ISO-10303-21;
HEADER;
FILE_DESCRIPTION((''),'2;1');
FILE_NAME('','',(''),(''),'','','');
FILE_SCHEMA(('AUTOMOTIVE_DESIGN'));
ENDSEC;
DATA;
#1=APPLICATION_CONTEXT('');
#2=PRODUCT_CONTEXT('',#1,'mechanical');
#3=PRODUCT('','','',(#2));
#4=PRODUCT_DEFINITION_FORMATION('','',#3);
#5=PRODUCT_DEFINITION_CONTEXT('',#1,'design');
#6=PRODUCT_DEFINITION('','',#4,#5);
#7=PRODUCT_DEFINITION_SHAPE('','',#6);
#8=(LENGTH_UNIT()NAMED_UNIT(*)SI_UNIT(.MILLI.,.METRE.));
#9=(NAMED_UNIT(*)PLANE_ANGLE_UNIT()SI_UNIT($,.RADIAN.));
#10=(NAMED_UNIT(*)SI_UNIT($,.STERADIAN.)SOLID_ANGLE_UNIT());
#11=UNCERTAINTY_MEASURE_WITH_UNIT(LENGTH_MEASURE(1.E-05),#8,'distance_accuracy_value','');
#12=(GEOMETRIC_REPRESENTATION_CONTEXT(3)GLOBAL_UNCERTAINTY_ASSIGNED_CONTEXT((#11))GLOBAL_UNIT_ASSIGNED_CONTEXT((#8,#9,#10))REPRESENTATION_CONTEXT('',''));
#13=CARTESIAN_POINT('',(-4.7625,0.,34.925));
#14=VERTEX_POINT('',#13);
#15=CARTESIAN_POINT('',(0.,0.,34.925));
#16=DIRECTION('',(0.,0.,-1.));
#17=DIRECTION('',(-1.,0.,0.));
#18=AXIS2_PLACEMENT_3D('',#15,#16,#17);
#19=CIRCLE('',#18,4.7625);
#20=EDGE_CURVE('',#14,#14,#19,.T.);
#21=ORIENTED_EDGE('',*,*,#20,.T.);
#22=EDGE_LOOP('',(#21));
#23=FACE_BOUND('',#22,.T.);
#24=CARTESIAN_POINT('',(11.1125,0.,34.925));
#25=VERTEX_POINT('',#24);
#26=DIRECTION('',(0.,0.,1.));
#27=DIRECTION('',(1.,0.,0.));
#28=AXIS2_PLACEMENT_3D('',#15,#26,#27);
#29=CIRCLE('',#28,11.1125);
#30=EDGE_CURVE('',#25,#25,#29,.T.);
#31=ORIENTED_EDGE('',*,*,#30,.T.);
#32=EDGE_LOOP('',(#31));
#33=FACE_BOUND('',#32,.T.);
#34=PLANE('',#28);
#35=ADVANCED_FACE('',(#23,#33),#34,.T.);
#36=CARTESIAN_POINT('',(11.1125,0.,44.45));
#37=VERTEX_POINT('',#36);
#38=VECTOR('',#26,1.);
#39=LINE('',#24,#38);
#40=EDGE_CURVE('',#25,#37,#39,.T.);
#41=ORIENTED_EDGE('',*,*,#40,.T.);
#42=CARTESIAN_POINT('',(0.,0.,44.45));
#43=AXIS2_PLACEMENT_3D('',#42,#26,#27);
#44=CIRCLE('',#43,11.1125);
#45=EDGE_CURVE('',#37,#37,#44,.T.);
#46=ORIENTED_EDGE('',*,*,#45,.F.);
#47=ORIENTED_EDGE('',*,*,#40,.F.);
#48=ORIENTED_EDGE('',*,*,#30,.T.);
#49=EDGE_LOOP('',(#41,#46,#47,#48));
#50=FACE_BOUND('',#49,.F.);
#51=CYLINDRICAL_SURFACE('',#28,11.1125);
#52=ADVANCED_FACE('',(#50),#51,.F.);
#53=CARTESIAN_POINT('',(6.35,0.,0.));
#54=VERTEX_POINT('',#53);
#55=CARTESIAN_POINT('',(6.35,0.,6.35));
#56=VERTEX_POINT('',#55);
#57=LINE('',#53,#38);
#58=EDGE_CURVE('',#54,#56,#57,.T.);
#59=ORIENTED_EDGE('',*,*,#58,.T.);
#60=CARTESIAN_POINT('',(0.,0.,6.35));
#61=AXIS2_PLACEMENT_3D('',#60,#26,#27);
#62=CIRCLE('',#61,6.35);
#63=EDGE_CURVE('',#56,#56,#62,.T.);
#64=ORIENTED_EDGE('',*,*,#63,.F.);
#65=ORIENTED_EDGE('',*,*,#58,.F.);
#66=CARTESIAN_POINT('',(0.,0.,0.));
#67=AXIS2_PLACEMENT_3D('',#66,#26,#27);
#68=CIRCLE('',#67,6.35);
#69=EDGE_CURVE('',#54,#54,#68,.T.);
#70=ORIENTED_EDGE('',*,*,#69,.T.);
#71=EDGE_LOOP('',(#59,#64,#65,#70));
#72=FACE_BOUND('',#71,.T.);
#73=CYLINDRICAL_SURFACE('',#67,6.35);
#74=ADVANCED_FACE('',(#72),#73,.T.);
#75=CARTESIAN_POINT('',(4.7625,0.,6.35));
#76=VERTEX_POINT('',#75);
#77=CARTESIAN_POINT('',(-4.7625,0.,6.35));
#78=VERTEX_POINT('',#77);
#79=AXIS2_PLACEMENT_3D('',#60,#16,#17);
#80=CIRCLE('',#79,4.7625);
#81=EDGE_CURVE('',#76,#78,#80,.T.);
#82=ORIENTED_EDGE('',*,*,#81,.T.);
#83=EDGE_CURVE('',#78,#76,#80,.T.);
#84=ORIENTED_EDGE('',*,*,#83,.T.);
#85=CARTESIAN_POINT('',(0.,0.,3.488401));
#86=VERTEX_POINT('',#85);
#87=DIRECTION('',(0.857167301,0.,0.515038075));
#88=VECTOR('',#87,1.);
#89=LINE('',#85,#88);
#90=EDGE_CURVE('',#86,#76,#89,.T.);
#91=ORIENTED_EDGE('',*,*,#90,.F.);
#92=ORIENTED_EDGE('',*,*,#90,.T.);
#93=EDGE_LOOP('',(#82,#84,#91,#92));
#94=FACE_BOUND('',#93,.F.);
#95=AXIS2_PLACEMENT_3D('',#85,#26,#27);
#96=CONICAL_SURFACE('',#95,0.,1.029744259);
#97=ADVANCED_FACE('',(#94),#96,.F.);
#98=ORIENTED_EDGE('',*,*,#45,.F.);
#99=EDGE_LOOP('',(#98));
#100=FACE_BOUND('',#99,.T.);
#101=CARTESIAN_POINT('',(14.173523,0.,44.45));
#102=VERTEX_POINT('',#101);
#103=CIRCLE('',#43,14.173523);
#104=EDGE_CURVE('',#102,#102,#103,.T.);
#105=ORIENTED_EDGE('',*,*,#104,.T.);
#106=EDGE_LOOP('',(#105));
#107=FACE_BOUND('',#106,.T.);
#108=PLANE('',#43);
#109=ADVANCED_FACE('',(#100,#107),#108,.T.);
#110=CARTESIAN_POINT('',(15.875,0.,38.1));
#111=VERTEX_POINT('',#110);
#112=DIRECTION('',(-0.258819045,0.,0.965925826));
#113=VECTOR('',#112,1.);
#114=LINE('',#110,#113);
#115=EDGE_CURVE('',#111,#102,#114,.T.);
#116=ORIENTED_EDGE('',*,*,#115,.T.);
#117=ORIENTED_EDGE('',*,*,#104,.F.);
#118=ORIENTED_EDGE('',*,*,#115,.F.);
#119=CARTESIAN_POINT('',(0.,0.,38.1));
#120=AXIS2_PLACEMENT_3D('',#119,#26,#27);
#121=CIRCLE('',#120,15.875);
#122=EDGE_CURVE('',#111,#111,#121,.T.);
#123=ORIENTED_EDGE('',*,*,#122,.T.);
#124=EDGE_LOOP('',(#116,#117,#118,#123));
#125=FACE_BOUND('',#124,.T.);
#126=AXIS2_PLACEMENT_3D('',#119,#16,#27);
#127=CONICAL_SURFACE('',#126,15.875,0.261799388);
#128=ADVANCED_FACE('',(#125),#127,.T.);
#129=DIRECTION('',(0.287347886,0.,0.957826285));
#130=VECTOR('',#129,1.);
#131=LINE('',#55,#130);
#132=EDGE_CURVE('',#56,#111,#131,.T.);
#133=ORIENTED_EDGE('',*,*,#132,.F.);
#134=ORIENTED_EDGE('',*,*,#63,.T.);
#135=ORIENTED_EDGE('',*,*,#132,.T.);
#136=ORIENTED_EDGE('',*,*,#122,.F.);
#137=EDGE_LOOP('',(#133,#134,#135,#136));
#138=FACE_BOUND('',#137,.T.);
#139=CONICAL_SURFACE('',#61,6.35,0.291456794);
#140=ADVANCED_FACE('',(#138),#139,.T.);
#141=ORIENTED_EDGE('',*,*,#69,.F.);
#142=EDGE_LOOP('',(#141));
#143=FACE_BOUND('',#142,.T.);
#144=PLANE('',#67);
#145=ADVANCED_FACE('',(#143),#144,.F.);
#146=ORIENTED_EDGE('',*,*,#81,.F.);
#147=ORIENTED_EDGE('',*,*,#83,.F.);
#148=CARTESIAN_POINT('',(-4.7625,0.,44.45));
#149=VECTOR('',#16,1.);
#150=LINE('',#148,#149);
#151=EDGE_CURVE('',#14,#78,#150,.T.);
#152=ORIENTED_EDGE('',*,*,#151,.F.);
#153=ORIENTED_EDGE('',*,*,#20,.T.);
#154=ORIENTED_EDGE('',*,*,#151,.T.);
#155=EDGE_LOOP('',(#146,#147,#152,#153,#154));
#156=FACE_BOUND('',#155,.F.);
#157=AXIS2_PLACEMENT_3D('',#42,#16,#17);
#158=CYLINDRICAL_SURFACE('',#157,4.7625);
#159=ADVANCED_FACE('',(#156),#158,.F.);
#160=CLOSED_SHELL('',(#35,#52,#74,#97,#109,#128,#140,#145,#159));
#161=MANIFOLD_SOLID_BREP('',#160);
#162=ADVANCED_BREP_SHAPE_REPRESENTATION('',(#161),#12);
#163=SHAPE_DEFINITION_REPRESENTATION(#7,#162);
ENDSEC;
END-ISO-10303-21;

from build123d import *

# Parameters (mm, degrees)
F3_D           = 9.525
F3_DEPTH       = 38.1
F3_CBORE_D     = 22.225
F3_CBORE_DEPTH = 9.525
F3_TIP         = 2.8615986981


with BuildPart() as f1:
    # F0 (on Front) → F1 (revolve)
    with BuildSketch(Plane.XZ):
        Polygon((0, 38.1), (0, 0), (6.35, 0), (6.35, 6.35), (15.875, 38.1), (14.1735226281, 44.45), (0, 44.45), align=None)
    revolve(axis=Axis((0, 0, 22.225), (0, 0, 1)))

    # F3
    with Locations(Plane.XY.offset(44.45)):
        with Locations((0, 0)):
            CounterBoreHole(F3_D / 2, F3_CBORE_D / 2, F3_CBORE_DEPTH, depth=F3_DEPTH)
            with Locations((0, 0, -(F3_DEPTH + F3_TIP / 2))):  # 118° drill point
                Cone(0, F3_D / 2, F3_TIP, mode=Mode.SUBTRACT)


solid = f1.part
